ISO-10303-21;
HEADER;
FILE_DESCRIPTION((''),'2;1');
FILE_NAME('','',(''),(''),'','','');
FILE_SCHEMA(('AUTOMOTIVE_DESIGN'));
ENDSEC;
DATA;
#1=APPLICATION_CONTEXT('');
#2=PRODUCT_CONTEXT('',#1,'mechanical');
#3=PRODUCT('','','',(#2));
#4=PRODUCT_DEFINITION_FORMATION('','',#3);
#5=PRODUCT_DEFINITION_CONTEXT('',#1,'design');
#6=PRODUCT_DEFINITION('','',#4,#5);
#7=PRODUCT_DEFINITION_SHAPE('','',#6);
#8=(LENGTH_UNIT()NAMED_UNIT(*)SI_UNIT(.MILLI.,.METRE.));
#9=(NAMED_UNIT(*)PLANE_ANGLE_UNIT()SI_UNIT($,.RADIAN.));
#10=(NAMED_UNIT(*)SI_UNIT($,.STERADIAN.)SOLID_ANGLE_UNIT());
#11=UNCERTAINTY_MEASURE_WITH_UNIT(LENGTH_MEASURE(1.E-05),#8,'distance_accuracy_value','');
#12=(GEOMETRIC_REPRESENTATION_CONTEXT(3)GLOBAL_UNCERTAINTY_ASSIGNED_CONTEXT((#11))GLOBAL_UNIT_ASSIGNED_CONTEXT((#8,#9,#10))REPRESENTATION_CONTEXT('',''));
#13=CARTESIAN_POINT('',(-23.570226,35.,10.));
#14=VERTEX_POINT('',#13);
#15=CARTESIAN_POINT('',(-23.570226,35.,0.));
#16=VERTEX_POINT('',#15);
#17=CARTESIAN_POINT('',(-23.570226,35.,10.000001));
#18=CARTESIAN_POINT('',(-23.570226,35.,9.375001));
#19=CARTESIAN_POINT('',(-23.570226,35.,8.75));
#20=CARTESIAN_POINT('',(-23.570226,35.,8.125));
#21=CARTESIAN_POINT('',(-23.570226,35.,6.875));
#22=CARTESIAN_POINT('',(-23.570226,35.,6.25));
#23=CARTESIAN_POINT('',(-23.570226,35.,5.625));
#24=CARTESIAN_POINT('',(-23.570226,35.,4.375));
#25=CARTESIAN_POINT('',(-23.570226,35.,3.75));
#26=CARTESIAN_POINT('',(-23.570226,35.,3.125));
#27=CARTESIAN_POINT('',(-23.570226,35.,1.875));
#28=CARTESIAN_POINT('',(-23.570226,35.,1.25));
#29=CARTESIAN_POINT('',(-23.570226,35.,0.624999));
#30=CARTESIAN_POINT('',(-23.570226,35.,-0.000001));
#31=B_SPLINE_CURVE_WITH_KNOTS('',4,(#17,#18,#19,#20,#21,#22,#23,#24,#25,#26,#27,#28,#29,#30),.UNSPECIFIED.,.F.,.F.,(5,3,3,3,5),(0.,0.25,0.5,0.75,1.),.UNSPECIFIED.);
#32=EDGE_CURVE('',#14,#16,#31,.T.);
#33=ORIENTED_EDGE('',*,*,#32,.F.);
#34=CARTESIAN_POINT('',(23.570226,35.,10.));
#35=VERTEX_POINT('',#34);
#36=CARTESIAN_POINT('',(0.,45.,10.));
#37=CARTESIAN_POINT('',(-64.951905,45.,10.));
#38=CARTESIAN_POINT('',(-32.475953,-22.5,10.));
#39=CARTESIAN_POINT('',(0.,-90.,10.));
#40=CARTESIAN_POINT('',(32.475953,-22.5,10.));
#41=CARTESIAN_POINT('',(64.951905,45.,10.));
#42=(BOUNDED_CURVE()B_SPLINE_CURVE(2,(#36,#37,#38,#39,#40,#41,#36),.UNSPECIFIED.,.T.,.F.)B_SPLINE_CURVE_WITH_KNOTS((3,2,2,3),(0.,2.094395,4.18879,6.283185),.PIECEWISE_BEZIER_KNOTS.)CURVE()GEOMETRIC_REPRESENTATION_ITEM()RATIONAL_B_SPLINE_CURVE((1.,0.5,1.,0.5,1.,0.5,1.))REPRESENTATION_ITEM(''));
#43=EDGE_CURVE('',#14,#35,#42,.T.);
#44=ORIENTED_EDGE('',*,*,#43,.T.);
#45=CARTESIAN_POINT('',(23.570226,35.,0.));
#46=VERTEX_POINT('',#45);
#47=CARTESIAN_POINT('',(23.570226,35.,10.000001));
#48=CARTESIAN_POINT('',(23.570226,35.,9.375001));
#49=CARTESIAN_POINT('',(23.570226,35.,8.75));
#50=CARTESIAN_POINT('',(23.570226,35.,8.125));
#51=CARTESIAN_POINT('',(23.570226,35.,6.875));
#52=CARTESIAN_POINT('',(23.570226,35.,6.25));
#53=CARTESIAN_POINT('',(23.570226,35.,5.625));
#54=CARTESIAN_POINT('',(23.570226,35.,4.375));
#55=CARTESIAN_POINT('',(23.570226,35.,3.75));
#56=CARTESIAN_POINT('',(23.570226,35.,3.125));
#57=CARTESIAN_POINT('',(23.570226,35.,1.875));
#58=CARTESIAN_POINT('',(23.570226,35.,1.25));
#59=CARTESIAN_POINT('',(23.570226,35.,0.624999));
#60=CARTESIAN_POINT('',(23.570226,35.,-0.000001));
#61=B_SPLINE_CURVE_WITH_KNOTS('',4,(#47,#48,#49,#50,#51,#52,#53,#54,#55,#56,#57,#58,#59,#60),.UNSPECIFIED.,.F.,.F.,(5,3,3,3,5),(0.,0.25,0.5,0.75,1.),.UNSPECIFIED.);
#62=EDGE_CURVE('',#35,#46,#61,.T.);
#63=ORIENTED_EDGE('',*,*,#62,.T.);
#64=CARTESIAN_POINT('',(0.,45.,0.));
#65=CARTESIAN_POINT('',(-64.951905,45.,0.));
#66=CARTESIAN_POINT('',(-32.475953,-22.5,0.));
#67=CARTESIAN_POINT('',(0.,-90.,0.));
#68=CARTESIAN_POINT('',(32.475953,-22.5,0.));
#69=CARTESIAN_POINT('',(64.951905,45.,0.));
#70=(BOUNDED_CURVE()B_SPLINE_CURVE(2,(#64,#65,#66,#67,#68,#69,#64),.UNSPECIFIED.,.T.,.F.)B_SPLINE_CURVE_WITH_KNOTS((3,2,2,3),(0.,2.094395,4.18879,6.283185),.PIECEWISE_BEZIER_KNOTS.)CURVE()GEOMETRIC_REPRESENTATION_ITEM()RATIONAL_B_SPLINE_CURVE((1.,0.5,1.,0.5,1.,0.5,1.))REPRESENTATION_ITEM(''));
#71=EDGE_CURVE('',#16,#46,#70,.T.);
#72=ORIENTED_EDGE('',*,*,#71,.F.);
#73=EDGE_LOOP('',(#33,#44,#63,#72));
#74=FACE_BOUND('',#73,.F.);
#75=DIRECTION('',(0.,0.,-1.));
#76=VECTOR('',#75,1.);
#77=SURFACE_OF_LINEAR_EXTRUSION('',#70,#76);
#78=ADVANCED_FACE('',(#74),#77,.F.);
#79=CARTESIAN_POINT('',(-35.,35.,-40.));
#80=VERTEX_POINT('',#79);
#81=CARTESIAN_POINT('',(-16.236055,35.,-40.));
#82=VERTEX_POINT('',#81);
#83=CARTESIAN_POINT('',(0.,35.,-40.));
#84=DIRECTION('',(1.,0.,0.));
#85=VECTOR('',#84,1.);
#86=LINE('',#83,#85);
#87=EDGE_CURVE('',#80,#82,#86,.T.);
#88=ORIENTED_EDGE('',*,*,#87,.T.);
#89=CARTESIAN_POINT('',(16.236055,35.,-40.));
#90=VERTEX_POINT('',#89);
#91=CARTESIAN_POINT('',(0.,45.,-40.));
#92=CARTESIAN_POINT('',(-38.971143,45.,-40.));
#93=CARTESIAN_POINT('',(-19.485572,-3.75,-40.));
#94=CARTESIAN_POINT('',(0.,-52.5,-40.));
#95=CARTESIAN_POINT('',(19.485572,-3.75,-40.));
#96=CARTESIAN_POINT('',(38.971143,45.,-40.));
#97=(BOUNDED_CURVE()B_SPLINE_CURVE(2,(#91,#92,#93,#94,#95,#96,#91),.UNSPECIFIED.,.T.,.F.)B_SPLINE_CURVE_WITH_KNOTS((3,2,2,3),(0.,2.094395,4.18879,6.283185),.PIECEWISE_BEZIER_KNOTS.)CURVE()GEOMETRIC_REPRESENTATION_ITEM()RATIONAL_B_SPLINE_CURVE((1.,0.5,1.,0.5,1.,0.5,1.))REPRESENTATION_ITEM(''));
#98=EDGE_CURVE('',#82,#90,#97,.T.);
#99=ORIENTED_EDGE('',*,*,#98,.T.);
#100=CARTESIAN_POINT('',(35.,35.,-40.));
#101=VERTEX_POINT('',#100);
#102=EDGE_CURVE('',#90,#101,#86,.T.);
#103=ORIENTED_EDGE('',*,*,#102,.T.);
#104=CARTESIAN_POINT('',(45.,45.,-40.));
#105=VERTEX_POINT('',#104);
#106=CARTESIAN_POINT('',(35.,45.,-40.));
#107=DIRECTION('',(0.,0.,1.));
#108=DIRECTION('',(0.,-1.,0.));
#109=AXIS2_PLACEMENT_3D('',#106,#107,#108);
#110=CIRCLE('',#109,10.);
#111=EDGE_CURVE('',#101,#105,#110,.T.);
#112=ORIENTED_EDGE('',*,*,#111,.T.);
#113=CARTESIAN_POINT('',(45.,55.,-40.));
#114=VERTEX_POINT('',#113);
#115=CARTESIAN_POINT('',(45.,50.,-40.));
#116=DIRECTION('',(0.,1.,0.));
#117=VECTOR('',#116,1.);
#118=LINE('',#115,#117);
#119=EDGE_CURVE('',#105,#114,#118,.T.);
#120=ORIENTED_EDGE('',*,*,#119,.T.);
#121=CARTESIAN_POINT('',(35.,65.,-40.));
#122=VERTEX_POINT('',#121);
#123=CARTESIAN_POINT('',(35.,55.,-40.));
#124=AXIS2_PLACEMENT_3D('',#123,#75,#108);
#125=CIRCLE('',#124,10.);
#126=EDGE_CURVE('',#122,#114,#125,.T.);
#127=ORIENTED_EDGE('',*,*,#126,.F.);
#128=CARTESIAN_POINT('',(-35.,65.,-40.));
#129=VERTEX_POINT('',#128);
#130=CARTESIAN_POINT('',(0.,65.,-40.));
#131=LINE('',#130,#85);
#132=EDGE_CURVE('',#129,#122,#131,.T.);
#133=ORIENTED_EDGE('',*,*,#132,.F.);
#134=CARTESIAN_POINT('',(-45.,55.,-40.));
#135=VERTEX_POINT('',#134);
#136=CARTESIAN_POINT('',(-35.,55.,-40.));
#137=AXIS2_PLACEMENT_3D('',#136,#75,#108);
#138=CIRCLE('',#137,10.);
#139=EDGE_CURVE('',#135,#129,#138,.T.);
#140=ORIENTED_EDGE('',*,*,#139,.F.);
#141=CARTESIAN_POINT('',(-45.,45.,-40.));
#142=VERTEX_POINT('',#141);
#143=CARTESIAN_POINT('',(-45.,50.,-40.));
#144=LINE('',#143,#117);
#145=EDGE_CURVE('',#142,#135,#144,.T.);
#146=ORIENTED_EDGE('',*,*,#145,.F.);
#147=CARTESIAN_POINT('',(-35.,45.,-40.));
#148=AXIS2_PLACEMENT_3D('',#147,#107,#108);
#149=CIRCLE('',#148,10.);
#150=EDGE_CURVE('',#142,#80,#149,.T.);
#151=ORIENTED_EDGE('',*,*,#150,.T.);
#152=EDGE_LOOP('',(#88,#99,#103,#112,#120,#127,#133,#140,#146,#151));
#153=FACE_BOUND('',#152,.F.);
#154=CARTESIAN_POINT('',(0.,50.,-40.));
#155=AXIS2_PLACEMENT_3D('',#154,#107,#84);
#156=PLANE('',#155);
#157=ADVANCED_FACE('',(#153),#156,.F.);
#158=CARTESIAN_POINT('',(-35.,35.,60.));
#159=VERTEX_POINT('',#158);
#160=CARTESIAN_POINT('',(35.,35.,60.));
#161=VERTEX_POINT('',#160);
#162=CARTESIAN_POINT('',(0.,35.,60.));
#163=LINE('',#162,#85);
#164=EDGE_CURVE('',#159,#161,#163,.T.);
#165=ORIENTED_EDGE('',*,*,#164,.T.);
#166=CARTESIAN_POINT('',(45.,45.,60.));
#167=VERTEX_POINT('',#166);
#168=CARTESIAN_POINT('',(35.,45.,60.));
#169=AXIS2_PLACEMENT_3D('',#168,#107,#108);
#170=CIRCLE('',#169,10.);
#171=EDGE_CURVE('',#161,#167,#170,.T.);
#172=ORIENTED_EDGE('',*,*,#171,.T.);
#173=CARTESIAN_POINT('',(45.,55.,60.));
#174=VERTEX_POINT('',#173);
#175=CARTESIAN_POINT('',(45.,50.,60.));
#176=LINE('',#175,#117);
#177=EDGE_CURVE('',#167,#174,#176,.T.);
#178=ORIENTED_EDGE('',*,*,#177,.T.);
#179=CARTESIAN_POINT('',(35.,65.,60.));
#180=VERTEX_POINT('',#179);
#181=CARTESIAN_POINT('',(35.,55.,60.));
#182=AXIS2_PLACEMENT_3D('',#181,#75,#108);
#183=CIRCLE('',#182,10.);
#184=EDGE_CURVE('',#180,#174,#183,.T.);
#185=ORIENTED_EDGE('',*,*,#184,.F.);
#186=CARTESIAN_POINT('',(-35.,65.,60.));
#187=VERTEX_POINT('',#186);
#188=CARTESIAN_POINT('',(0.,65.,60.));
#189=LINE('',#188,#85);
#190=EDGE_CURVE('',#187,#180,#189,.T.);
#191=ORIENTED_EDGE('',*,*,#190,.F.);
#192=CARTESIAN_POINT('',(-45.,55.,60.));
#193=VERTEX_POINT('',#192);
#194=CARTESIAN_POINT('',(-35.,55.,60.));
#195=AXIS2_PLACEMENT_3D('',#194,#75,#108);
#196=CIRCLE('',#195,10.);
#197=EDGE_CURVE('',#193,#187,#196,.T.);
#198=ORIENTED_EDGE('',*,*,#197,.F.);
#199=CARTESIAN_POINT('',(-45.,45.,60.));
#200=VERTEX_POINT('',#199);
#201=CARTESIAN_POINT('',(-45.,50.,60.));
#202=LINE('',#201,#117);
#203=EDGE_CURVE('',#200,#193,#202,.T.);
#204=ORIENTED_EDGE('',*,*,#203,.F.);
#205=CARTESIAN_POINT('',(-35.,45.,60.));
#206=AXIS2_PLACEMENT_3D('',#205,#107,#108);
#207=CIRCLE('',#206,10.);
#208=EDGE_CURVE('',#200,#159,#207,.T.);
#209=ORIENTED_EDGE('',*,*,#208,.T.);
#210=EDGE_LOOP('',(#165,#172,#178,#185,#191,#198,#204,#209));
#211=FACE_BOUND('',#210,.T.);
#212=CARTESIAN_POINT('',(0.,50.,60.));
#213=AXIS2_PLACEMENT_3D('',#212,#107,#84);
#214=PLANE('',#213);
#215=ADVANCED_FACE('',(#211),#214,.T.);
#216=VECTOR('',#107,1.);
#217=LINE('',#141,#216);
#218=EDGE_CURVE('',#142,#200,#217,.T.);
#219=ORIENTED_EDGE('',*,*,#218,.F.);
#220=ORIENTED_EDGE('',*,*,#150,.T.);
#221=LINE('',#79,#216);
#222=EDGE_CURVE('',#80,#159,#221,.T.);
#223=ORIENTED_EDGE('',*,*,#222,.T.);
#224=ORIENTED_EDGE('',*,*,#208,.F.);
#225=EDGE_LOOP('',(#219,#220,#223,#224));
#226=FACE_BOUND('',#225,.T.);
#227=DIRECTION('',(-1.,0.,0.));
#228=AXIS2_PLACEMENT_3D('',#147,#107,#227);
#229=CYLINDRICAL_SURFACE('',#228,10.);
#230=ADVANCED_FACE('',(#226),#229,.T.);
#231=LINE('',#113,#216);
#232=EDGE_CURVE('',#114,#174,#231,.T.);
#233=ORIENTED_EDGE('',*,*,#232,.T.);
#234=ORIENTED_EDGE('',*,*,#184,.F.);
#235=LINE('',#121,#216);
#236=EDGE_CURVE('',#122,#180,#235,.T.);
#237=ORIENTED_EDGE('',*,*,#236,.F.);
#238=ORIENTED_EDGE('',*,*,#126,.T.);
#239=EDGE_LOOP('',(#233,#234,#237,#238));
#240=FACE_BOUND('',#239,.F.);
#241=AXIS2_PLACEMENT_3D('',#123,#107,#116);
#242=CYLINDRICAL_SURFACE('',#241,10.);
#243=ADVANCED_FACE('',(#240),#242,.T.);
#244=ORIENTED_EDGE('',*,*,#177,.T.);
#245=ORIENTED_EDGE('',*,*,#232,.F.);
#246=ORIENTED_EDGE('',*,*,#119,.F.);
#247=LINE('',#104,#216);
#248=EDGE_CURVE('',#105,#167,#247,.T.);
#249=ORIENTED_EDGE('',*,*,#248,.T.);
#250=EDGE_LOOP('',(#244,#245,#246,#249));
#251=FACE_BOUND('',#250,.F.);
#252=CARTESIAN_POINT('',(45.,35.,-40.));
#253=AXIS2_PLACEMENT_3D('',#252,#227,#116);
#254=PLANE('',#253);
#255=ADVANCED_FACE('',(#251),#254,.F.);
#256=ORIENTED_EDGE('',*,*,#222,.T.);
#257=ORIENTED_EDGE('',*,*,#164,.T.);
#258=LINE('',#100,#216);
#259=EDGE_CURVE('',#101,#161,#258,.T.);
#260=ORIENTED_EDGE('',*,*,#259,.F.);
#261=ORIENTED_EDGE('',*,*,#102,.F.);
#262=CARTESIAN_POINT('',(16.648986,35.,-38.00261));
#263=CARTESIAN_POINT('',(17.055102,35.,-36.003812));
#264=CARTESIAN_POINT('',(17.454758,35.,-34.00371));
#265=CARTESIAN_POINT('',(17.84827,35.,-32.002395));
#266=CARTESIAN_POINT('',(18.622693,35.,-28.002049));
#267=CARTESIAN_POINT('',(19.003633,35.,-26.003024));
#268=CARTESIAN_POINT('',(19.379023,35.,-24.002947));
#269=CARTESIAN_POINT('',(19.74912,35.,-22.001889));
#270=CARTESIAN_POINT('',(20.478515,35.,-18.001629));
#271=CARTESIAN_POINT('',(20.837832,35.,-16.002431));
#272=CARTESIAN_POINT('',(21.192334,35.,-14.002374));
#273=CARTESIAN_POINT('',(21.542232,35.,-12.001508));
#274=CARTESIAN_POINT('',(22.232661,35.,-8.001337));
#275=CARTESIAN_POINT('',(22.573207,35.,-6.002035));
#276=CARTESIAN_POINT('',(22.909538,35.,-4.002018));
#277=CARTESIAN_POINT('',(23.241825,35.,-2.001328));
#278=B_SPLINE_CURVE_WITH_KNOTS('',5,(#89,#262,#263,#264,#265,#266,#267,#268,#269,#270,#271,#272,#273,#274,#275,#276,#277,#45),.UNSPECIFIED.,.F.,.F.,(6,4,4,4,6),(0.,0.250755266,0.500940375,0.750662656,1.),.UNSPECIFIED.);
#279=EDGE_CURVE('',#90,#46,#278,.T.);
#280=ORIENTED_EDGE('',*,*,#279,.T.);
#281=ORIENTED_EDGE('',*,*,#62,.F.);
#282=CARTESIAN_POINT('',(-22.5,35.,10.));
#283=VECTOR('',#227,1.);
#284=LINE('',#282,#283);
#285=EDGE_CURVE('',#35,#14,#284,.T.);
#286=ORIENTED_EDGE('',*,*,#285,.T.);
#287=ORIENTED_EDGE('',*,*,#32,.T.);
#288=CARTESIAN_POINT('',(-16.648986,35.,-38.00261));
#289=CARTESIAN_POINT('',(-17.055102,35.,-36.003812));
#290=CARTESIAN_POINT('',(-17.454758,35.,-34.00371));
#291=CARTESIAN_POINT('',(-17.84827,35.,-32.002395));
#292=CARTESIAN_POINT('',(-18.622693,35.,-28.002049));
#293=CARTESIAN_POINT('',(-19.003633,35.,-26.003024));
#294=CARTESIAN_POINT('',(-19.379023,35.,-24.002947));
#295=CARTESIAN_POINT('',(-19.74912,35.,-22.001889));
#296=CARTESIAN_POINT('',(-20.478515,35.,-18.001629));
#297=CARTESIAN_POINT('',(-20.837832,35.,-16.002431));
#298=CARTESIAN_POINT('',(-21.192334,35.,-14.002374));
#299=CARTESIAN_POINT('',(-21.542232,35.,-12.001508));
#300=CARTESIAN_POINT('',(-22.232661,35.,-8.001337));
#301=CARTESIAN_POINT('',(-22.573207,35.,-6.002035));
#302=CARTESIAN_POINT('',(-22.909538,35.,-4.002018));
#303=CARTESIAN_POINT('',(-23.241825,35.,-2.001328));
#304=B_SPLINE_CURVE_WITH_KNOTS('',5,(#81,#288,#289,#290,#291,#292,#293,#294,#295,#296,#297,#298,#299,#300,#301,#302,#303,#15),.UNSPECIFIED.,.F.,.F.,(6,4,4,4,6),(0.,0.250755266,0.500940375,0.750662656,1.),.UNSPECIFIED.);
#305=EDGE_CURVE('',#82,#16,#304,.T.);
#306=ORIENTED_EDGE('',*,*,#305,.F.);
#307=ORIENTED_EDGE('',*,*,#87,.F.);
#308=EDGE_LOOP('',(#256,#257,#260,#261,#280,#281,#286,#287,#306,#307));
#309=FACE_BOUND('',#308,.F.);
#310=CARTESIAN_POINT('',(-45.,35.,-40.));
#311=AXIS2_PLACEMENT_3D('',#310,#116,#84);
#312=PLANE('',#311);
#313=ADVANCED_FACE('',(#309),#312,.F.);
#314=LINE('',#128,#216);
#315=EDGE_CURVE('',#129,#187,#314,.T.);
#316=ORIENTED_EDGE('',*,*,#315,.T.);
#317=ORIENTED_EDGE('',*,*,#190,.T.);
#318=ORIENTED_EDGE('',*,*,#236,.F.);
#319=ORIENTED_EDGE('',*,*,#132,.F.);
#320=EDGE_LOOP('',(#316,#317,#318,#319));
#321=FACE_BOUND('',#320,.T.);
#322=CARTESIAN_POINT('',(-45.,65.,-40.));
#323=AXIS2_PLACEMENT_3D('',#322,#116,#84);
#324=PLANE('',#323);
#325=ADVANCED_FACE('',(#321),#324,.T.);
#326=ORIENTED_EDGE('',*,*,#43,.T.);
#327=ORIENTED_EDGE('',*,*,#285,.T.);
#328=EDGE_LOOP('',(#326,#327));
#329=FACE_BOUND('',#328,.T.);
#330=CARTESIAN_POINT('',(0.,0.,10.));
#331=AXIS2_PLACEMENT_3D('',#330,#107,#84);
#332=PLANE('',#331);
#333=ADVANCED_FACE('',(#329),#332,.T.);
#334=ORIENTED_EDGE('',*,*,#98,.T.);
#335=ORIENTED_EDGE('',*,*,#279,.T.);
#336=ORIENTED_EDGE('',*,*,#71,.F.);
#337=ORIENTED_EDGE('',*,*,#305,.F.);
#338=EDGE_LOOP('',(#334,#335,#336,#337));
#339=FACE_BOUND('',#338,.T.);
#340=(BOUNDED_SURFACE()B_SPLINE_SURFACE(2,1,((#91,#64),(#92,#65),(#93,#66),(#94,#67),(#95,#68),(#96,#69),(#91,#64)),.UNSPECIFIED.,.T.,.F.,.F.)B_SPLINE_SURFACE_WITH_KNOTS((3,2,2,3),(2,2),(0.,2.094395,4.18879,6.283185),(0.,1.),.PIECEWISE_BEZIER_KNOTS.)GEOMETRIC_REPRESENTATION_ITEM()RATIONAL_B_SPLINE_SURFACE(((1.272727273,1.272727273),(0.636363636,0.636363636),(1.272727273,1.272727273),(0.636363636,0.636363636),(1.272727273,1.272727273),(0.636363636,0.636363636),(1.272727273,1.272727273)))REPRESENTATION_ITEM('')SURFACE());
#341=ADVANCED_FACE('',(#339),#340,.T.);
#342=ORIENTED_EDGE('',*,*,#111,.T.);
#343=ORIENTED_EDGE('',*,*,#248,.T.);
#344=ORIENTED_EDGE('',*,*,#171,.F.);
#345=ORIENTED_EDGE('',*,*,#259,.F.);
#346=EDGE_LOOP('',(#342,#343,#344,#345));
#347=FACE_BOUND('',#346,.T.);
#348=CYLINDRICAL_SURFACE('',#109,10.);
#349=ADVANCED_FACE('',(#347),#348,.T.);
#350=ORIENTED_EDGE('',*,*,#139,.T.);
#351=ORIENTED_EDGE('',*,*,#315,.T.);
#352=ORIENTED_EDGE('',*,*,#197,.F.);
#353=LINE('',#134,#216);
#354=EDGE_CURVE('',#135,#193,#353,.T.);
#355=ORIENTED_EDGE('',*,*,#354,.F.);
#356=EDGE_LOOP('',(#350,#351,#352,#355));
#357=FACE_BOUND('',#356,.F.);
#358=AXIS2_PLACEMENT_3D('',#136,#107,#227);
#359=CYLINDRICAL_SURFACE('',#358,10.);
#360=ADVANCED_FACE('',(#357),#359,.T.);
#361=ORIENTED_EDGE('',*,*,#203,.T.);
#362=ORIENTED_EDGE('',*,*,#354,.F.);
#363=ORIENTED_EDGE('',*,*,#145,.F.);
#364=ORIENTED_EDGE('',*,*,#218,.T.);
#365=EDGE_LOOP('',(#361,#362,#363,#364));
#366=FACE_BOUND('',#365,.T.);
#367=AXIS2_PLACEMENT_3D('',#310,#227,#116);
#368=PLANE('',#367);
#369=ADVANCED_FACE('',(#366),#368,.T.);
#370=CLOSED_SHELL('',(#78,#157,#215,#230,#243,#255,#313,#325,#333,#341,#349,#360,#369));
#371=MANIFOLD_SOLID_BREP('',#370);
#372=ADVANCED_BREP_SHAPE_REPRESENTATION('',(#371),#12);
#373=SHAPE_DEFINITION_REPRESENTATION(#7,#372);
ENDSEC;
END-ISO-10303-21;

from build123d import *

# Parameters (mm, degrees)
F1_DEPTH = 10
F5_W     = 90
F5_H     = 30
F6_DEPTH = 100
F7_R     = 10


with BuildPart() as f1:
    # F0 (on Top) → F1 (new body)
    with BuildSketch(Plane.XY):
        with BuildLine():
            add(Edge.make_bspline(
                [(0, 45), (-64.951905, 45), (-32.475953, -22.5), (0, -90), (32.475953, -22.5), (64.951905, 45), (0, 45)],
                knots=[0, 0, 0, 2.094395, 2.094395, 4.18879, 4.18879, 6.283185, 6.283185, 6.283185], degree=2, weights=[1, 0.5, 1, 0.5, 1, 0.5, 1]))
        make_face()
    extrude(amount=F1_DEPTH)

    # F3 (on offset) → F4 section 0
    with BuildSketch(Plane.XY.offset(-40)):
        with BuildLine():
            add(Edge.make_bspline(
                [(0, 45), (-38.971143, 45), (-19.485572, -3.75), (0, -52.5), (19.485572, -3.75), (38.971143, 45), (0, 45)],
                knots=[0, 0, 0, 2.094395, 2.094395, 4.18879, 4.18879, 6.283185, 6.283185, 6.283185], degree=2, weights=[1, 0.5, 1, 0.5, 1, 0.5, 1]))
        make_face()
    # F1_face (on face) → F4 section 1
    with BuildSketch(Plane(origin=(0, -0.109148, 0), x_dir=(1, 0, 0), z_dir=(0, 0, -1))):
        with BuildLine():
            add(Edge.make_bspline(
                [(0, -45.109148), (-64.951905, -45.109148), (-32.475953, 22.390852), (0, 89.890852), (32.475953, 22.390852), (64.951905, -45.109148), (0, -45.109148)],
                knots=[0, 0, 0, 2.094395, 2.094395, 4.18879, 4.18879, 6.283185, 6.283185, 6.283185], degree=2, weights=[1, 0.5, 1, 0.5, 1, 0.5, 1]))
        make_face()
    loft()

    # F5 (on offset) → F6 (join)
    with BuildSketch(Plane.XY.offset(-40)):
        with Locations((0, 50)):
            Rectangle(F5_W, F5_H)
    extrude(amount=F6_DEPTH)

    # F7
    f7_edges = [f1.edges().sort_by_distance(p)[0] for p in [
        (-45, 35, 10),
        (-45, 65, 10),
        (45, 35, 10),
        (45, 65, 10),
    ]]
    fillet(f7_edges, radius=F7_R)


solid = f1.part
